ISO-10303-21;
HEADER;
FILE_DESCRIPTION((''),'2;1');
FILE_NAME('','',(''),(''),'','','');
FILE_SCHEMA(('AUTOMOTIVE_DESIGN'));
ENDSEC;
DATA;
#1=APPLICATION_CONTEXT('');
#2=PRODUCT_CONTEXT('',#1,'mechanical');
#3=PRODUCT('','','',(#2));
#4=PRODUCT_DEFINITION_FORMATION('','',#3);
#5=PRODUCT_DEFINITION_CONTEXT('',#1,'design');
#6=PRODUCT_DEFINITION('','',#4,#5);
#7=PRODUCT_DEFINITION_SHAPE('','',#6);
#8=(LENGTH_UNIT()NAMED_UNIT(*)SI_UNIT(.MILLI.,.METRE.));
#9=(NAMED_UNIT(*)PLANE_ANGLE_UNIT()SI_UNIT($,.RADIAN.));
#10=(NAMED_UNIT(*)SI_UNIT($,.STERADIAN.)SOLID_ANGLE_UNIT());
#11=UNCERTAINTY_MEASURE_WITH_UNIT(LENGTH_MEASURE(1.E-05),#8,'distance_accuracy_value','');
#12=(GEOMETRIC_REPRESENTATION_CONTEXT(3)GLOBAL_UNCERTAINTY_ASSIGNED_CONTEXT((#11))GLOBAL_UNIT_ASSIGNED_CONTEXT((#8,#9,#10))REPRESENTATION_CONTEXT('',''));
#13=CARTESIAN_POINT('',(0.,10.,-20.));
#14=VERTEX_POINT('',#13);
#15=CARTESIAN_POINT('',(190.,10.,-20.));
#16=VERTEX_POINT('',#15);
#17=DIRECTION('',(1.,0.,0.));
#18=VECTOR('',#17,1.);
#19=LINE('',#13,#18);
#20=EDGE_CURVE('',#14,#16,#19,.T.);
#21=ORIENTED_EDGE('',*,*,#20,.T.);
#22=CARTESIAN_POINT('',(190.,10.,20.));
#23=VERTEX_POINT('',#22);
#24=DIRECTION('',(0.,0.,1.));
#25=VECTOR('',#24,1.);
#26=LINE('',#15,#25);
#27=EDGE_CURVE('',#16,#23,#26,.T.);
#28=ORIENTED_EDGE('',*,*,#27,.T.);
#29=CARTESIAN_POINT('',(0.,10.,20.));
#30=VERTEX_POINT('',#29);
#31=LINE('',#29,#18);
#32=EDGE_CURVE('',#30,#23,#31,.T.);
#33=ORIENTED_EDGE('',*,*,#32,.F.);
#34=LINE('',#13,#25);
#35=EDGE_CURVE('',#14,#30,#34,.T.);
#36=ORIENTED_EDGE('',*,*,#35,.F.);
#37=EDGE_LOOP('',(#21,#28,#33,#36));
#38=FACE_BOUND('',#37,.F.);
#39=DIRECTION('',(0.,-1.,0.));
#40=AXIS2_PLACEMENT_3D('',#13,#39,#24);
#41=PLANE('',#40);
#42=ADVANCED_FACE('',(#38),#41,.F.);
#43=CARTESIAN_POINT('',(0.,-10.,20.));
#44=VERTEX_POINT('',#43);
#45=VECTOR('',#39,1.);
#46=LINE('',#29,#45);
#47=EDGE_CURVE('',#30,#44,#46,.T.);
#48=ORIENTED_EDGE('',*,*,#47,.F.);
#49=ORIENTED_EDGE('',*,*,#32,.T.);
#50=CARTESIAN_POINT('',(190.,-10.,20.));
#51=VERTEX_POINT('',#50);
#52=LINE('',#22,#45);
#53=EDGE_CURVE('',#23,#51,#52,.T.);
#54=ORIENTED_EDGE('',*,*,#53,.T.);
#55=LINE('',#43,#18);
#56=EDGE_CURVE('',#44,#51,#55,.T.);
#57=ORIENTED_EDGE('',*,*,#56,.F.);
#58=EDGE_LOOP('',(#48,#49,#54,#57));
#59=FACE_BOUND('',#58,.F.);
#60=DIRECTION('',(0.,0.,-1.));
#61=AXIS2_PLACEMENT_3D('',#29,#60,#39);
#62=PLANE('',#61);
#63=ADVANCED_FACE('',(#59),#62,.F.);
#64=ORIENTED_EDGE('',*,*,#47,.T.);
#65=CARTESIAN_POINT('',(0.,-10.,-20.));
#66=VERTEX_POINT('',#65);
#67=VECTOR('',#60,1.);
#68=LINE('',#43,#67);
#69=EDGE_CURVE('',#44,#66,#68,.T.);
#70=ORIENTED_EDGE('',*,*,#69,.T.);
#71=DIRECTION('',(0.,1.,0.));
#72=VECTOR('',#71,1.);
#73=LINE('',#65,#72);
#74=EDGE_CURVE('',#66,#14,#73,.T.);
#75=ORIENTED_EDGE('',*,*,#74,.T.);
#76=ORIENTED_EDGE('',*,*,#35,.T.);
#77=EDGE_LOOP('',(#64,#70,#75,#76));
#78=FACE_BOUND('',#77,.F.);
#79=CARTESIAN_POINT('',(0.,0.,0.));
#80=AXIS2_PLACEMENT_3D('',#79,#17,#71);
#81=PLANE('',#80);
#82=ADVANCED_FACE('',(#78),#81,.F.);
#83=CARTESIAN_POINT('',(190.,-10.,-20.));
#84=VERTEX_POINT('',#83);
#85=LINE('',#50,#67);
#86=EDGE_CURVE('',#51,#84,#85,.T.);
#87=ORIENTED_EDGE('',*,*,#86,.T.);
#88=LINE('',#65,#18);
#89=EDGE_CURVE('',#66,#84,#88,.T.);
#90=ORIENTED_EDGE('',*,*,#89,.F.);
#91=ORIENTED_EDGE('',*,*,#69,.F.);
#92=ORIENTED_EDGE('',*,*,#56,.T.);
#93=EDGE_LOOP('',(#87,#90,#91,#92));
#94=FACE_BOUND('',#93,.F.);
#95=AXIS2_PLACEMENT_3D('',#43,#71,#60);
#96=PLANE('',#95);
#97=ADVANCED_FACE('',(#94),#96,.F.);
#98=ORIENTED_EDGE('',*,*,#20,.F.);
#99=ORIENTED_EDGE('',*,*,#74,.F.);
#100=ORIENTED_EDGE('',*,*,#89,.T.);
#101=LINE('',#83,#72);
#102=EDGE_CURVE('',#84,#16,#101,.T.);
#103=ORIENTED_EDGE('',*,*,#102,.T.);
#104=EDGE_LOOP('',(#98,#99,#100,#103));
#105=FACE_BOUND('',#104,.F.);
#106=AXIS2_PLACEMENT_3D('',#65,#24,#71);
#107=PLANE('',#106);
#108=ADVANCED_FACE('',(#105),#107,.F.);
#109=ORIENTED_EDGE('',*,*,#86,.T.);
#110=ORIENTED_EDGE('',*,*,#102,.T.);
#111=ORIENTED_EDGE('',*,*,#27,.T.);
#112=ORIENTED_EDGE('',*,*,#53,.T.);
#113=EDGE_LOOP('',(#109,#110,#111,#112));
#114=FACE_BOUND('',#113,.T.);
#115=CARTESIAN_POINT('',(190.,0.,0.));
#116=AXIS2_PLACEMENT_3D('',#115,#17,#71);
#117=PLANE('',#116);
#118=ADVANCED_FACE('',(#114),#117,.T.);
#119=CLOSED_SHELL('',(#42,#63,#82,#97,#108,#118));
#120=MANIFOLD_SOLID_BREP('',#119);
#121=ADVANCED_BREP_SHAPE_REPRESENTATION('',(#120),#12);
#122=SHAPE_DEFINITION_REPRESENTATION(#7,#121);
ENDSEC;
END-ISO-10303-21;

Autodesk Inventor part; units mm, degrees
ref_plane "YZ Plane" through (0, 0, 0) normal (1, 0, 0) x (0, 1, 0)
ref_plane "XZ Plane" through (0, 0, 0) normal (0, 1, 0) x (-1, 0, 0)
ref_plane "XY Plane" through (0, 0, 0) normal (0, 0, 1) x (1, 0, 0)
sketch "Skizze2" plane through (0, 0, 0) normal (1, 0, 0) x (0, 1, 0)
  line L0 (-10, -20) -> (10, -20)
  line L1 (10, -20) -> (10, 20)
  line L2 (10, 20) -> (-10, 20)
  line L3 (-10, 20) -> (-10, -20)
  line L4 (-10, -20) -> (10, 20) construction
  line L5 (10, -20) -> (-10, 20) construction
  point P0 (0, 0)
  dimension "d4" = 20
  dimension "d5" = 40
extrude "Extrusion2" add sketch "Skizze2" along normal blind 190
properties part number "HFS5-2040-190" material "EN AC-51400-T5 Equiv."
